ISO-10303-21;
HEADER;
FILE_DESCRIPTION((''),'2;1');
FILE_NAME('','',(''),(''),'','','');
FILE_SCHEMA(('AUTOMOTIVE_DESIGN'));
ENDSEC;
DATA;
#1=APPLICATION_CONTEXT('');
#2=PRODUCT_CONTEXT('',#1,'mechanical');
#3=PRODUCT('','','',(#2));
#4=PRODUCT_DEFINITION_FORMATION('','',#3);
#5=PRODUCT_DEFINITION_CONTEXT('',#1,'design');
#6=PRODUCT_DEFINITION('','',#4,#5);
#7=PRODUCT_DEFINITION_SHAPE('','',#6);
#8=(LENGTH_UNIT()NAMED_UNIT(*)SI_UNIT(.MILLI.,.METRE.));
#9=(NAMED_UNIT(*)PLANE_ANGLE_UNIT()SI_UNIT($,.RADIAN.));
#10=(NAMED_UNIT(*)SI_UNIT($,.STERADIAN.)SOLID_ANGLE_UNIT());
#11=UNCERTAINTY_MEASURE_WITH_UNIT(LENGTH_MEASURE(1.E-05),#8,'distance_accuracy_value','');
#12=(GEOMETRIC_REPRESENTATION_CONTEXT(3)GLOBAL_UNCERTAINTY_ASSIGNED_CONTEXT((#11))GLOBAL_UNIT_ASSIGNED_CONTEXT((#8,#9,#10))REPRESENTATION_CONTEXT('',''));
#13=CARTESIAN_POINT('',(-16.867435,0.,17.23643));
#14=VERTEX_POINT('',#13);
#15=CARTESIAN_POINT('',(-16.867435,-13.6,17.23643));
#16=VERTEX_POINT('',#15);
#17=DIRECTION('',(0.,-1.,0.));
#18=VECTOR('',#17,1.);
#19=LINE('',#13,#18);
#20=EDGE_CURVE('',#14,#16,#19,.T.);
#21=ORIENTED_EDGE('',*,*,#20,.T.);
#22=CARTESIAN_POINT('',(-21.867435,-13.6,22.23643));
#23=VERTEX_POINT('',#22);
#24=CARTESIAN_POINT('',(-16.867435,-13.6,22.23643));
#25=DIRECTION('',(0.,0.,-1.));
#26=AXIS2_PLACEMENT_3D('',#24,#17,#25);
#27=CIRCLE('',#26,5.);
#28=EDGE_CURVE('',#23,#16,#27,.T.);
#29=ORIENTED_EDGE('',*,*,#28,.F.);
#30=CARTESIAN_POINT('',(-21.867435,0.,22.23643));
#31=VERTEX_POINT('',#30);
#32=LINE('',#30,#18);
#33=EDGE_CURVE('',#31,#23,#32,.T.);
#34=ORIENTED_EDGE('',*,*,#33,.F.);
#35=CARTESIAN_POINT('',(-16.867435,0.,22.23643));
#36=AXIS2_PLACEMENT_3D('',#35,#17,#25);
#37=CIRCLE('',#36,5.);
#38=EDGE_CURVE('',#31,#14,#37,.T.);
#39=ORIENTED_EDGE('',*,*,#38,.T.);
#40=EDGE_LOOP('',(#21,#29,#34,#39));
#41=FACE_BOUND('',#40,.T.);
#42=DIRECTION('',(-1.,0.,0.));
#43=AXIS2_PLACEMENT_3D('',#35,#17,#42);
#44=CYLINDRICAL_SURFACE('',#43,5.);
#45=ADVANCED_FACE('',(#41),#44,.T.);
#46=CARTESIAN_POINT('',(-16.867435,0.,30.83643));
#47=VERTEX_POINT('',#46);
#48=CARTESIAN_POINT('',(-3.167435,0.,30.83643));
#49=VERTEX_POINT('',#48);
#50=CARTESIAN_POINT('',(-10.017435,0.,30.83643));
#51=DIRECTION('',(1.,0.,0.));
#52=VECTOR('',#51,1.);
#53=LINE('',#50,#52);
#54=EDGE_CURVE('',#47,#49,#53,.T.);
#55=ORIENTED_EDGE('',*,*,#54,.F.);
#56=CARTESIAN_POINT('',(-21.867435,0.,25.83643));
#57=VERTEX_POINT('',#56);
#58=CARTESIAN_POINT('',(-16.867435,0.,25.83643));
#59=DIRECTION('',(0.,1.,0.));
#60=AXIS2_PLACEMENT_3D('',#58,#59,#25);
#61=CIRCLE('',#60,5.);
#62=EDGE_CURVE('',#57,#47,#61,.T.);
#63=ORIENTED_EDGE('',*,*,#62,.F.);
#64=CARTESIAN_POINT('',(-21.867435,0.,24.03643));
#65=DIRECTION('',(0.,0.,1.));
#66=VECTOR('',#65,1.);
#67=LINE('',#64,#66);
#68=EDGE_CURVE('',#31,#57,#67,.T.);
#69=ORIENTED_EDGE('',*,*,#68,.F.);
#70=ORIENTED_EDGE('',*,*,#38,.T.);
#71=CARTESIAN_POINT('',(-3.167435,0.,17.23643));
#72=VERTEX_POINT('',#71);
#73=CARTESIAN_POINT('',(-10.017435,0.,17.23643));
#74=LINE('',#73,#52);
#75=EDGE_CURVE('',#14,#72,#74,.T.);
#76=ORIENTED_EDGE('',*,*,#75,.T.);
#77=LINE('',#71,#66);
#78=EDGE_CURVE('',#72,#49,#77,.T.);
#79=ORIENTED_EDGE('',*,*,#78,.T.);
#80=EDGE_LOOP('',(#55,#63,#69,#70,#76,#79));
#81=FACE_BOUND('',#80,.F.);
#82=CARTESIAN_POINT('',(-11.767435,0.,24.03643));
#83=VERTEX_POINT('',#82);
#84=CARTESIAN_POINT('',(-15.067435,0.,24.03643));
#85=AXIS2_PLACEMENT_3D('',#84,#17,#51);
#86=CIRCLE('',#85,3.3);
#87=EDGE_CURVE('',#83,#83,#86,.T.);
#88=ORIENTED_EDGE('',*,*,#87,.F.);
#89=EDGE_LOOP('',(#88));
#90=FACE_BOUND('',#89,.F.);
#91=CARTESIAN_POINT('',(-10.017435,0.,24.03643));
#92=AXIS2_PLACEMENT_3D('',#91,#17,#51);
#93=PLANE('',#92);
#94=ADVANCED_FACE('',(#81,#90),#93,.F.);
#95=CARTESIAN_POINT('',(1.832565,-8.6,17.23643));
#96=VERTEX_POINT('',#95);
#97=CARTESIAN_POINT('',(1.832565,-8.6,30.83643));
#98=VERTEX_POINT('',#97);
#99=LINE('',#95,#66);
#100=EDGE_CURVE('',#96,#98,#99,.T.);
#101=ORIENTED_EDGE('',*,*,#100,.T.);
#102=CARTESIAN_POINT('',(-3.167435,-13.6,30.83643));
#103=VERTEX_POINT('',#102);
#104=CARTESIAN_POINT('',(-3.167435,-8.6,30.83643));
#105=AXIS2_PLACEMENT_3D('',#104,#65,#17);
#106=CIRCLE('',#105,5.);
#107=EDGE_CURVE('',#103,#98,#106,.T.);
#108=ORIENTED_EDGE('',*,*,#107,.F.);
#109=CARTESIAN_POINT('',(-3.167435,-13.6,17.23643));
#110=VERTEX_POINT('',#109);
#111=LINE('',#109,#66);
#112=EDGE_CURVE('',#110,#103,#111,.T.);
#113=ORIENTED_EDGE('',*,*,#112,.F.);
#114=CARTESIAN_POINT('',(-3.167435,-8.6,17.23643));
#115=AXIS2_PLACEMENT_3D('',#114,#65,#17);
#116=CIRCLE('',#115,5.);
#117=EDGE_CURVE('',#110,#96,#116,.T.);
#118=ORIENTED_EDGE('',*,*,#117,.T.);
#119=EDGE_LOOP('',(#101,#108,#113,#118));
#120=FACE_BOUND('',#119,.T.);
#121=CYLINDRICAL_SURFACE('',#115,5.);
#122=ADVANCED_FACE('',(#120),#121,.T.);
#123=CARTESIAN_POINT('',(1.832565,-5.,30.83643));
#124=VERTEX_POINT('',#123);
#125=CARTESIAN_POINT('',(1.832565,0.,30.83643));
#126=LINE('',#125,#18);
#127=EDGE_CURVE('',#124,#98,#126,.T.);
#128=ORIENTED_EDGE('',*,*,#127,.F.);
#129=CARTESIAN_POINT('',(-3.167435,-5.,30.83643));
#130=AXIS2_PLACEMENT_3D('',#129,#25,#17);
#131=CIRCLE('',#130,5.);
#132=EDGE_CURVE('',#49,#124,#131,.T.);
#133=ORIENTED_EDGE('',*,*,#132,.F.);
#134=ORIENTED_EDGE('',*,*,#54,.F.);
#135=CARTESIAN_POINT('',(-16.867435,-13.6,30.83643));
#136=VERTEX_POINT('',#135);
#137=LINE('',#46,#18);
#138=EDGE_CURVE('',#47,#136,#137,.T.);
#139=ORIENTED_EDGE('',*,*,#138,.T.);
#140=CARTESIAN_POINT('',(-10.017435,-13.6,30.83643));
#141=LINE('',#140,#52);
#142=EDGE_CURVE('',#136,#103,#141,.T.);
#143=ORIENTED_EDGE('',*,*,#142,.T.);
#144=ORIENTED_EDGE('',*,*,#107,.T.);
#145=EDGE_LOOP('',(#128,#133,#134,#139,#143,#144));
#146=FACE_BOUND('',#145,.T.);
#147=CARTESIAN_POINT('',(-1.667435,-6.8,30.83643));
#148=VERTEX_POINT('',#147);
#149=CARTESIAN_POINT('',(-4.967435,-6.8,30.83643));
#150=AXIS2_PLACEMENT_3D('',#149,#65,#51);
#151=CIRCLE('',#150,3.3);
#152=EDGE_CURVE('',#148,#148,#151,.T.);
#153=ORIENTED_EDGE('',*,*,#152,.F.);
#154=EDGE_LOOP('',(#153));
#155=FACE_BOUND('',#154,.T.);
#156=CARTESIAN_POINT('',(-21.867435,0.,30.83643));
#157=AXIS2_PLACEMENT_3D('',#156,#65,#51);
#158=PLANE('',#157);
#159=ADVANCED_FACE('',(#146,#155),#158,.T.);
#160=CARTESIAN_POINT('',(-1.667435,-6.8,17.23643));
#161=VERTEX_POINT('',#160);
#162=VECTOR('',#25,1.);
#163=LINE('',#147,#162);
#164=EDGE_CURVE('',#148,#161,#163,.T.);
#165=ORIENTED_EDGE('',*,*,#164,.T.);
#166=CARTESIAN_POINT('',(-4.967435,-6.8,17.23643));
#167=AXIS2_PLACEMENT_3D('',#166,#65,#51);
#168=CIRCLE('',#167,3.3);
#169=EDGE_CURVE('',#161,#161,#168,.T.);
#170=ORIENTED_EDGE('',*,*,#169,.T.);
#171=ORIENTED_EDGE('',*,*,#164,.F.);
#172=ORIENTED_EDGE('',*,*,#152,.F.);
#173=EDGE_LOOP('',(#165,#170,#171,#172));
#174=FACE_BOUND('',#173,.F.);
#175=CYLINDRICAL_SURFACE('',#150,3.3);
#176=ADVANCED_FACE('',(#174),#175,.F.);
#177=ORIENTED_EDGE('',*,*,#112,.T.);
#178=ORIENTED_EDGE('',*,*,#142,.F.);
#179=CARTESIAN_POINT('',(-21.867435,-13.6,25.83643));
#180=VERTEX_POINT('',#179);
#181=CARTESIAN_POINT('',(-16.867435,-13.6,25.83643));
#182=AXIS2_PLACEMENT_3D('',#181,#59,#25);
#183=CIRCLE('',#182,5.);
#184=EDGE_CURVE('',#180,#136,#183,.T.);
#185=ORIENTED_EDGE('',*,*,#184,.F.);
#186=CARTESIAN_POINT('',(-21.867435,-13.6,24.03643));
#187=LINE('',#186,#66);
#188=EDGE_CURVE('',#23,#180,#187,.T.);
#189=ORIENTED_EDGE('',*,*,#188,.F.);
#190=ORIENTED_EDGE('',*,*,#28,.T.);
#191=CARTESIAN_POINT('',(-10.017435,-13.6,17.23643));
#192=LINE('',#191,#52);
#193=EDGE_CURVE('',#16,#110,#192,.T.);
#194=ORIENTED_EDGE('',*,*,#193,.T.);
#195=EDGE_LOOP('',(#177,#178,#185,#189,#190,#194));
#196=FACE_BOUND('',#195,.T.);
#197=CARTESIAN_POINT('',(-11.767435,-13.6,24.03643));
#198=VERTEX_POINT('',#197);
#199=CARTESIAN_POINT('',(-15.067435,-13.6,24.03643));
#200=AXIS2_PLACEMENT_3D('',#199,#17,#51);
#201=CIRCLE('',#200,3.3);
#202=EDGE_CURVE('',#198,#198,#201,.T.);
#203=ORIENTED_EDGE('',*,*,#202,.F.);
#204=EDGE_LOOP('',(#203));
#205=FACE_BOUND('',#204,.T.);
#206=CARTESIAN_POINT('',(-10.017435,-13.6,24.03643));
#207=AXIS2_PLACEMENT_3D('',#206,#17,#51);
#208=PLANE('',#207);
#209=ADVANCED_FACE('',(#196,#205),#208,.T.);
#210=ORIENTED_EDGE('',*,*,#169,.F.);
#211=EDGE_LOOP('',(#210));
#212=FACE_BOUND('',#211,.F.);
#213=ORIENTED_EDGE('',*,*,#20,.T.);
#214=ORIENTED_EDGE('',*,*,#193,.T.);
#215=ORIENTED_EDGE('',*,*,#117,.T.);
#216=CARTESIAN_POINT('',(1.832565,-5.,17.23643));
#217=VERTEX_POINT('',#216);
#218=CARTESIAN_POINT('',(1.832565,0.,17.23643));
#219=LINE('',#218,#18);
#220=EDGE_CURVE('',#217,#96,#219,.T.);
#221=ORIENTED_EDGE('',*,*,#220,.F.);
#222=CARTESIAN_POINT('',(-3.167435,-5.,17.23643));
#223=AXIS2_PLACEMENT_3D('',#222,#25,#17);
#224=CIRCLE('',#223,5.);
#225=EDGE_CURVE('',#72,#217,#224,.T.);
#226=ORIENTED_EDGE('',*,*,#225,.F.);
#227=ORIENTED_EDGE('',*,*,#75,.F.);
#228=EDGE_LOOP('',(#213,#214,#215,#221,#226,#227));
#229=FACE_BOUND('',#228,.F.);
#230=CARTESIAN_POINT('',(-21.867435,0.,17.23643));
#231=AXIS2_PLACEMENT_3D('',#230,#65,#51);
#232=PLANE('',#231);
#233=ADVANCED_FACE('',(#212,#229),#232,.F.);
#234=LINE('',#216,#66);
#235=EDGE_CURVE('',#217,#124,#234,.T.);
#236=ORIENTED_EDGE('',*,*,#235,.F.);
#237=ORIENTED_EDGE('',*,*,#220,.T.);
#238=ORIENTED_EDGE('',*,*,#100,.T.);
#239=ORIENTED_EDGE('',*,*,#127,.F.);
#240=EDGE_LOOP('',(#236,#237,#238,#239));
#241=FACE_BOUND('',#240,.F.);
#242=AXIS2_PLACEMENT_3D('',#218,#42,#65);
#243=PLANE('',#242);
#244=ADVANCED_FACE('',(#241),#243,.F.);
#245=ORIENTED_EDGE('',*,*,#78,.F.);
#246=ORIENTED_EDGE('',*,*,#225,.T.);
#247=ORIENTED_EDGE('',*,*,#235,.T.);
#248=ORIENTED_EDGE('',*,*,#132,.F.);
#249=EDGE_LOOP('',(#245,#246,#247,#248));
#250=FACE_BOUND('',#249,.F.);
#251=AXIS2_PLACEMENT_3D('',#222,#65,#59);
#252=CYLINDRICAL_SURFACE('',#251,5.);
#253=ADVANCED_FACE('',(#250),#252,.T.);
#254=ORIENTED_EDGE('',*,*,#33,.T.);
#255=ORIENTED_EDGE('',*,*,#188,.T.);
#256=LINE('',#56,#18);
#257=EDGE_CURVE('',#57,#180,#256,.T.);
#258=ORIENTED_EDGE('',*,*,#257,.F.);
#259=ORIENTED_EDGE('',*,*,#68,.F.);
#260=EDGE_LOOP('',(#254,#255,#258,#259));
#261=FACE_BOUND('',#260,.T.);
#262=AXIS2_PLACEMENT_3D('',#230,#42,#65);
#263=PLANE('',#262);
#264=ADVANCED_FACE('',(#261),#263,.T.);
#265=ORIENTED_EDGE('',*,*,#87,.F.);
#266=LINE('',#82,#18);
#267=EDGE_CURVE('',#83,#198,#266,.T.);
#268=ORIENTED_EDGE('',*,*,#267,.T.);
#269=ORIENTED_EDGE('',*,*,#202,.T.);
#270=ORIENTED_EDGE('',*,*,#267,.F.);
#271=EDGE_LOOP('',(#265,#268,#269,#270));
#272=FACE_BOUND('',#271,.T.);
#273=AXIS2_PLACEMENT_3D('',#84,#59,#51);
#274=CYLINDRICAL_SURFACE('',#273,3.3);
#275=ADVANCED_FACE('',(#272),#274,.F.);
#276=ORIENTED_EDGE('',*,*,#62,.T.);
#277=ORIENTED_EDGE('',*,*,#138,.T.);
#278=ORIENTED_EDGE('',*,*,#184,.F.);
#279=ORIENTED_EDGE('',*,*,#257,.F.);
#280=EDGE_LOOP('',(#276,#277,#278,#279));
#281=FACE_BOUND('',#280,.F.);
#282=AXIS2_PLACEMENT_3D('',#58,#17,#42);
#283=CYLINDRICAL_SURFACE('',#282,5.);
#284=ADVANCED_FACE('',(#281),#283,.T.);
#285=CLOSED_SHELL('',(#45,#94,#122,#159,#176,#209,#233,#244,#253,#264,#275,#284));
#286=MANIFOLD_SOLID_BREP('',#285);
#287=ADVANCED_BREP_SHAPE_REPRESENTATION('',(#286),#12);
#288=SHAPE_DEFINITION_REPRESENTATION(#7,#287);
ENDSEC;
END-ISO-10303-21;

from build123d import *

# Parameters (mm, degrees)
F0_W     = 23.7
F0_H     = 13.6
F0_R     = 3.3
F1_DEPTH = 13.6
F2_R     = 3.3
F3_DEPTH = 13.601
F4_R     = 5


with BuildPart() as f1:
    # F0 (on Front) → F1 (new body)
    with BuildSketch(Plane.XZ):
        with Locations((-10.017435, 24.03643)):
            Rectangle(F0_W, F0_H)
        with Locations((-15.067435, 24.03643)):
            Circle(F0_R, mode=Mode.SUBTRACT)
    extrude(amount=F1_DEPTH)

    # F2 (on face) → F3 (cut, through all)
    with BuildSketch(Plane.XY.offset(30.83643)):
        with Locations((-4.967435, -6.8)):
            Circle(F2_R)
    extrude(amount=-F3_DEPTH, mode=Mode.SUBTRACT)

    # F4
    f4_edges = [f1.edges().sort_by_distance(p)[0] for p in [
        (1.832565, -13.6, 24.03643),
        (1.832565, 0, 24.03643),
        (-21.867435, -6.8, 30.83643),
        (-21.867435, -6.8, 17.23643),
    ]]
    fillet(f4_edges, radius=F4_R)


solid = f1.part
